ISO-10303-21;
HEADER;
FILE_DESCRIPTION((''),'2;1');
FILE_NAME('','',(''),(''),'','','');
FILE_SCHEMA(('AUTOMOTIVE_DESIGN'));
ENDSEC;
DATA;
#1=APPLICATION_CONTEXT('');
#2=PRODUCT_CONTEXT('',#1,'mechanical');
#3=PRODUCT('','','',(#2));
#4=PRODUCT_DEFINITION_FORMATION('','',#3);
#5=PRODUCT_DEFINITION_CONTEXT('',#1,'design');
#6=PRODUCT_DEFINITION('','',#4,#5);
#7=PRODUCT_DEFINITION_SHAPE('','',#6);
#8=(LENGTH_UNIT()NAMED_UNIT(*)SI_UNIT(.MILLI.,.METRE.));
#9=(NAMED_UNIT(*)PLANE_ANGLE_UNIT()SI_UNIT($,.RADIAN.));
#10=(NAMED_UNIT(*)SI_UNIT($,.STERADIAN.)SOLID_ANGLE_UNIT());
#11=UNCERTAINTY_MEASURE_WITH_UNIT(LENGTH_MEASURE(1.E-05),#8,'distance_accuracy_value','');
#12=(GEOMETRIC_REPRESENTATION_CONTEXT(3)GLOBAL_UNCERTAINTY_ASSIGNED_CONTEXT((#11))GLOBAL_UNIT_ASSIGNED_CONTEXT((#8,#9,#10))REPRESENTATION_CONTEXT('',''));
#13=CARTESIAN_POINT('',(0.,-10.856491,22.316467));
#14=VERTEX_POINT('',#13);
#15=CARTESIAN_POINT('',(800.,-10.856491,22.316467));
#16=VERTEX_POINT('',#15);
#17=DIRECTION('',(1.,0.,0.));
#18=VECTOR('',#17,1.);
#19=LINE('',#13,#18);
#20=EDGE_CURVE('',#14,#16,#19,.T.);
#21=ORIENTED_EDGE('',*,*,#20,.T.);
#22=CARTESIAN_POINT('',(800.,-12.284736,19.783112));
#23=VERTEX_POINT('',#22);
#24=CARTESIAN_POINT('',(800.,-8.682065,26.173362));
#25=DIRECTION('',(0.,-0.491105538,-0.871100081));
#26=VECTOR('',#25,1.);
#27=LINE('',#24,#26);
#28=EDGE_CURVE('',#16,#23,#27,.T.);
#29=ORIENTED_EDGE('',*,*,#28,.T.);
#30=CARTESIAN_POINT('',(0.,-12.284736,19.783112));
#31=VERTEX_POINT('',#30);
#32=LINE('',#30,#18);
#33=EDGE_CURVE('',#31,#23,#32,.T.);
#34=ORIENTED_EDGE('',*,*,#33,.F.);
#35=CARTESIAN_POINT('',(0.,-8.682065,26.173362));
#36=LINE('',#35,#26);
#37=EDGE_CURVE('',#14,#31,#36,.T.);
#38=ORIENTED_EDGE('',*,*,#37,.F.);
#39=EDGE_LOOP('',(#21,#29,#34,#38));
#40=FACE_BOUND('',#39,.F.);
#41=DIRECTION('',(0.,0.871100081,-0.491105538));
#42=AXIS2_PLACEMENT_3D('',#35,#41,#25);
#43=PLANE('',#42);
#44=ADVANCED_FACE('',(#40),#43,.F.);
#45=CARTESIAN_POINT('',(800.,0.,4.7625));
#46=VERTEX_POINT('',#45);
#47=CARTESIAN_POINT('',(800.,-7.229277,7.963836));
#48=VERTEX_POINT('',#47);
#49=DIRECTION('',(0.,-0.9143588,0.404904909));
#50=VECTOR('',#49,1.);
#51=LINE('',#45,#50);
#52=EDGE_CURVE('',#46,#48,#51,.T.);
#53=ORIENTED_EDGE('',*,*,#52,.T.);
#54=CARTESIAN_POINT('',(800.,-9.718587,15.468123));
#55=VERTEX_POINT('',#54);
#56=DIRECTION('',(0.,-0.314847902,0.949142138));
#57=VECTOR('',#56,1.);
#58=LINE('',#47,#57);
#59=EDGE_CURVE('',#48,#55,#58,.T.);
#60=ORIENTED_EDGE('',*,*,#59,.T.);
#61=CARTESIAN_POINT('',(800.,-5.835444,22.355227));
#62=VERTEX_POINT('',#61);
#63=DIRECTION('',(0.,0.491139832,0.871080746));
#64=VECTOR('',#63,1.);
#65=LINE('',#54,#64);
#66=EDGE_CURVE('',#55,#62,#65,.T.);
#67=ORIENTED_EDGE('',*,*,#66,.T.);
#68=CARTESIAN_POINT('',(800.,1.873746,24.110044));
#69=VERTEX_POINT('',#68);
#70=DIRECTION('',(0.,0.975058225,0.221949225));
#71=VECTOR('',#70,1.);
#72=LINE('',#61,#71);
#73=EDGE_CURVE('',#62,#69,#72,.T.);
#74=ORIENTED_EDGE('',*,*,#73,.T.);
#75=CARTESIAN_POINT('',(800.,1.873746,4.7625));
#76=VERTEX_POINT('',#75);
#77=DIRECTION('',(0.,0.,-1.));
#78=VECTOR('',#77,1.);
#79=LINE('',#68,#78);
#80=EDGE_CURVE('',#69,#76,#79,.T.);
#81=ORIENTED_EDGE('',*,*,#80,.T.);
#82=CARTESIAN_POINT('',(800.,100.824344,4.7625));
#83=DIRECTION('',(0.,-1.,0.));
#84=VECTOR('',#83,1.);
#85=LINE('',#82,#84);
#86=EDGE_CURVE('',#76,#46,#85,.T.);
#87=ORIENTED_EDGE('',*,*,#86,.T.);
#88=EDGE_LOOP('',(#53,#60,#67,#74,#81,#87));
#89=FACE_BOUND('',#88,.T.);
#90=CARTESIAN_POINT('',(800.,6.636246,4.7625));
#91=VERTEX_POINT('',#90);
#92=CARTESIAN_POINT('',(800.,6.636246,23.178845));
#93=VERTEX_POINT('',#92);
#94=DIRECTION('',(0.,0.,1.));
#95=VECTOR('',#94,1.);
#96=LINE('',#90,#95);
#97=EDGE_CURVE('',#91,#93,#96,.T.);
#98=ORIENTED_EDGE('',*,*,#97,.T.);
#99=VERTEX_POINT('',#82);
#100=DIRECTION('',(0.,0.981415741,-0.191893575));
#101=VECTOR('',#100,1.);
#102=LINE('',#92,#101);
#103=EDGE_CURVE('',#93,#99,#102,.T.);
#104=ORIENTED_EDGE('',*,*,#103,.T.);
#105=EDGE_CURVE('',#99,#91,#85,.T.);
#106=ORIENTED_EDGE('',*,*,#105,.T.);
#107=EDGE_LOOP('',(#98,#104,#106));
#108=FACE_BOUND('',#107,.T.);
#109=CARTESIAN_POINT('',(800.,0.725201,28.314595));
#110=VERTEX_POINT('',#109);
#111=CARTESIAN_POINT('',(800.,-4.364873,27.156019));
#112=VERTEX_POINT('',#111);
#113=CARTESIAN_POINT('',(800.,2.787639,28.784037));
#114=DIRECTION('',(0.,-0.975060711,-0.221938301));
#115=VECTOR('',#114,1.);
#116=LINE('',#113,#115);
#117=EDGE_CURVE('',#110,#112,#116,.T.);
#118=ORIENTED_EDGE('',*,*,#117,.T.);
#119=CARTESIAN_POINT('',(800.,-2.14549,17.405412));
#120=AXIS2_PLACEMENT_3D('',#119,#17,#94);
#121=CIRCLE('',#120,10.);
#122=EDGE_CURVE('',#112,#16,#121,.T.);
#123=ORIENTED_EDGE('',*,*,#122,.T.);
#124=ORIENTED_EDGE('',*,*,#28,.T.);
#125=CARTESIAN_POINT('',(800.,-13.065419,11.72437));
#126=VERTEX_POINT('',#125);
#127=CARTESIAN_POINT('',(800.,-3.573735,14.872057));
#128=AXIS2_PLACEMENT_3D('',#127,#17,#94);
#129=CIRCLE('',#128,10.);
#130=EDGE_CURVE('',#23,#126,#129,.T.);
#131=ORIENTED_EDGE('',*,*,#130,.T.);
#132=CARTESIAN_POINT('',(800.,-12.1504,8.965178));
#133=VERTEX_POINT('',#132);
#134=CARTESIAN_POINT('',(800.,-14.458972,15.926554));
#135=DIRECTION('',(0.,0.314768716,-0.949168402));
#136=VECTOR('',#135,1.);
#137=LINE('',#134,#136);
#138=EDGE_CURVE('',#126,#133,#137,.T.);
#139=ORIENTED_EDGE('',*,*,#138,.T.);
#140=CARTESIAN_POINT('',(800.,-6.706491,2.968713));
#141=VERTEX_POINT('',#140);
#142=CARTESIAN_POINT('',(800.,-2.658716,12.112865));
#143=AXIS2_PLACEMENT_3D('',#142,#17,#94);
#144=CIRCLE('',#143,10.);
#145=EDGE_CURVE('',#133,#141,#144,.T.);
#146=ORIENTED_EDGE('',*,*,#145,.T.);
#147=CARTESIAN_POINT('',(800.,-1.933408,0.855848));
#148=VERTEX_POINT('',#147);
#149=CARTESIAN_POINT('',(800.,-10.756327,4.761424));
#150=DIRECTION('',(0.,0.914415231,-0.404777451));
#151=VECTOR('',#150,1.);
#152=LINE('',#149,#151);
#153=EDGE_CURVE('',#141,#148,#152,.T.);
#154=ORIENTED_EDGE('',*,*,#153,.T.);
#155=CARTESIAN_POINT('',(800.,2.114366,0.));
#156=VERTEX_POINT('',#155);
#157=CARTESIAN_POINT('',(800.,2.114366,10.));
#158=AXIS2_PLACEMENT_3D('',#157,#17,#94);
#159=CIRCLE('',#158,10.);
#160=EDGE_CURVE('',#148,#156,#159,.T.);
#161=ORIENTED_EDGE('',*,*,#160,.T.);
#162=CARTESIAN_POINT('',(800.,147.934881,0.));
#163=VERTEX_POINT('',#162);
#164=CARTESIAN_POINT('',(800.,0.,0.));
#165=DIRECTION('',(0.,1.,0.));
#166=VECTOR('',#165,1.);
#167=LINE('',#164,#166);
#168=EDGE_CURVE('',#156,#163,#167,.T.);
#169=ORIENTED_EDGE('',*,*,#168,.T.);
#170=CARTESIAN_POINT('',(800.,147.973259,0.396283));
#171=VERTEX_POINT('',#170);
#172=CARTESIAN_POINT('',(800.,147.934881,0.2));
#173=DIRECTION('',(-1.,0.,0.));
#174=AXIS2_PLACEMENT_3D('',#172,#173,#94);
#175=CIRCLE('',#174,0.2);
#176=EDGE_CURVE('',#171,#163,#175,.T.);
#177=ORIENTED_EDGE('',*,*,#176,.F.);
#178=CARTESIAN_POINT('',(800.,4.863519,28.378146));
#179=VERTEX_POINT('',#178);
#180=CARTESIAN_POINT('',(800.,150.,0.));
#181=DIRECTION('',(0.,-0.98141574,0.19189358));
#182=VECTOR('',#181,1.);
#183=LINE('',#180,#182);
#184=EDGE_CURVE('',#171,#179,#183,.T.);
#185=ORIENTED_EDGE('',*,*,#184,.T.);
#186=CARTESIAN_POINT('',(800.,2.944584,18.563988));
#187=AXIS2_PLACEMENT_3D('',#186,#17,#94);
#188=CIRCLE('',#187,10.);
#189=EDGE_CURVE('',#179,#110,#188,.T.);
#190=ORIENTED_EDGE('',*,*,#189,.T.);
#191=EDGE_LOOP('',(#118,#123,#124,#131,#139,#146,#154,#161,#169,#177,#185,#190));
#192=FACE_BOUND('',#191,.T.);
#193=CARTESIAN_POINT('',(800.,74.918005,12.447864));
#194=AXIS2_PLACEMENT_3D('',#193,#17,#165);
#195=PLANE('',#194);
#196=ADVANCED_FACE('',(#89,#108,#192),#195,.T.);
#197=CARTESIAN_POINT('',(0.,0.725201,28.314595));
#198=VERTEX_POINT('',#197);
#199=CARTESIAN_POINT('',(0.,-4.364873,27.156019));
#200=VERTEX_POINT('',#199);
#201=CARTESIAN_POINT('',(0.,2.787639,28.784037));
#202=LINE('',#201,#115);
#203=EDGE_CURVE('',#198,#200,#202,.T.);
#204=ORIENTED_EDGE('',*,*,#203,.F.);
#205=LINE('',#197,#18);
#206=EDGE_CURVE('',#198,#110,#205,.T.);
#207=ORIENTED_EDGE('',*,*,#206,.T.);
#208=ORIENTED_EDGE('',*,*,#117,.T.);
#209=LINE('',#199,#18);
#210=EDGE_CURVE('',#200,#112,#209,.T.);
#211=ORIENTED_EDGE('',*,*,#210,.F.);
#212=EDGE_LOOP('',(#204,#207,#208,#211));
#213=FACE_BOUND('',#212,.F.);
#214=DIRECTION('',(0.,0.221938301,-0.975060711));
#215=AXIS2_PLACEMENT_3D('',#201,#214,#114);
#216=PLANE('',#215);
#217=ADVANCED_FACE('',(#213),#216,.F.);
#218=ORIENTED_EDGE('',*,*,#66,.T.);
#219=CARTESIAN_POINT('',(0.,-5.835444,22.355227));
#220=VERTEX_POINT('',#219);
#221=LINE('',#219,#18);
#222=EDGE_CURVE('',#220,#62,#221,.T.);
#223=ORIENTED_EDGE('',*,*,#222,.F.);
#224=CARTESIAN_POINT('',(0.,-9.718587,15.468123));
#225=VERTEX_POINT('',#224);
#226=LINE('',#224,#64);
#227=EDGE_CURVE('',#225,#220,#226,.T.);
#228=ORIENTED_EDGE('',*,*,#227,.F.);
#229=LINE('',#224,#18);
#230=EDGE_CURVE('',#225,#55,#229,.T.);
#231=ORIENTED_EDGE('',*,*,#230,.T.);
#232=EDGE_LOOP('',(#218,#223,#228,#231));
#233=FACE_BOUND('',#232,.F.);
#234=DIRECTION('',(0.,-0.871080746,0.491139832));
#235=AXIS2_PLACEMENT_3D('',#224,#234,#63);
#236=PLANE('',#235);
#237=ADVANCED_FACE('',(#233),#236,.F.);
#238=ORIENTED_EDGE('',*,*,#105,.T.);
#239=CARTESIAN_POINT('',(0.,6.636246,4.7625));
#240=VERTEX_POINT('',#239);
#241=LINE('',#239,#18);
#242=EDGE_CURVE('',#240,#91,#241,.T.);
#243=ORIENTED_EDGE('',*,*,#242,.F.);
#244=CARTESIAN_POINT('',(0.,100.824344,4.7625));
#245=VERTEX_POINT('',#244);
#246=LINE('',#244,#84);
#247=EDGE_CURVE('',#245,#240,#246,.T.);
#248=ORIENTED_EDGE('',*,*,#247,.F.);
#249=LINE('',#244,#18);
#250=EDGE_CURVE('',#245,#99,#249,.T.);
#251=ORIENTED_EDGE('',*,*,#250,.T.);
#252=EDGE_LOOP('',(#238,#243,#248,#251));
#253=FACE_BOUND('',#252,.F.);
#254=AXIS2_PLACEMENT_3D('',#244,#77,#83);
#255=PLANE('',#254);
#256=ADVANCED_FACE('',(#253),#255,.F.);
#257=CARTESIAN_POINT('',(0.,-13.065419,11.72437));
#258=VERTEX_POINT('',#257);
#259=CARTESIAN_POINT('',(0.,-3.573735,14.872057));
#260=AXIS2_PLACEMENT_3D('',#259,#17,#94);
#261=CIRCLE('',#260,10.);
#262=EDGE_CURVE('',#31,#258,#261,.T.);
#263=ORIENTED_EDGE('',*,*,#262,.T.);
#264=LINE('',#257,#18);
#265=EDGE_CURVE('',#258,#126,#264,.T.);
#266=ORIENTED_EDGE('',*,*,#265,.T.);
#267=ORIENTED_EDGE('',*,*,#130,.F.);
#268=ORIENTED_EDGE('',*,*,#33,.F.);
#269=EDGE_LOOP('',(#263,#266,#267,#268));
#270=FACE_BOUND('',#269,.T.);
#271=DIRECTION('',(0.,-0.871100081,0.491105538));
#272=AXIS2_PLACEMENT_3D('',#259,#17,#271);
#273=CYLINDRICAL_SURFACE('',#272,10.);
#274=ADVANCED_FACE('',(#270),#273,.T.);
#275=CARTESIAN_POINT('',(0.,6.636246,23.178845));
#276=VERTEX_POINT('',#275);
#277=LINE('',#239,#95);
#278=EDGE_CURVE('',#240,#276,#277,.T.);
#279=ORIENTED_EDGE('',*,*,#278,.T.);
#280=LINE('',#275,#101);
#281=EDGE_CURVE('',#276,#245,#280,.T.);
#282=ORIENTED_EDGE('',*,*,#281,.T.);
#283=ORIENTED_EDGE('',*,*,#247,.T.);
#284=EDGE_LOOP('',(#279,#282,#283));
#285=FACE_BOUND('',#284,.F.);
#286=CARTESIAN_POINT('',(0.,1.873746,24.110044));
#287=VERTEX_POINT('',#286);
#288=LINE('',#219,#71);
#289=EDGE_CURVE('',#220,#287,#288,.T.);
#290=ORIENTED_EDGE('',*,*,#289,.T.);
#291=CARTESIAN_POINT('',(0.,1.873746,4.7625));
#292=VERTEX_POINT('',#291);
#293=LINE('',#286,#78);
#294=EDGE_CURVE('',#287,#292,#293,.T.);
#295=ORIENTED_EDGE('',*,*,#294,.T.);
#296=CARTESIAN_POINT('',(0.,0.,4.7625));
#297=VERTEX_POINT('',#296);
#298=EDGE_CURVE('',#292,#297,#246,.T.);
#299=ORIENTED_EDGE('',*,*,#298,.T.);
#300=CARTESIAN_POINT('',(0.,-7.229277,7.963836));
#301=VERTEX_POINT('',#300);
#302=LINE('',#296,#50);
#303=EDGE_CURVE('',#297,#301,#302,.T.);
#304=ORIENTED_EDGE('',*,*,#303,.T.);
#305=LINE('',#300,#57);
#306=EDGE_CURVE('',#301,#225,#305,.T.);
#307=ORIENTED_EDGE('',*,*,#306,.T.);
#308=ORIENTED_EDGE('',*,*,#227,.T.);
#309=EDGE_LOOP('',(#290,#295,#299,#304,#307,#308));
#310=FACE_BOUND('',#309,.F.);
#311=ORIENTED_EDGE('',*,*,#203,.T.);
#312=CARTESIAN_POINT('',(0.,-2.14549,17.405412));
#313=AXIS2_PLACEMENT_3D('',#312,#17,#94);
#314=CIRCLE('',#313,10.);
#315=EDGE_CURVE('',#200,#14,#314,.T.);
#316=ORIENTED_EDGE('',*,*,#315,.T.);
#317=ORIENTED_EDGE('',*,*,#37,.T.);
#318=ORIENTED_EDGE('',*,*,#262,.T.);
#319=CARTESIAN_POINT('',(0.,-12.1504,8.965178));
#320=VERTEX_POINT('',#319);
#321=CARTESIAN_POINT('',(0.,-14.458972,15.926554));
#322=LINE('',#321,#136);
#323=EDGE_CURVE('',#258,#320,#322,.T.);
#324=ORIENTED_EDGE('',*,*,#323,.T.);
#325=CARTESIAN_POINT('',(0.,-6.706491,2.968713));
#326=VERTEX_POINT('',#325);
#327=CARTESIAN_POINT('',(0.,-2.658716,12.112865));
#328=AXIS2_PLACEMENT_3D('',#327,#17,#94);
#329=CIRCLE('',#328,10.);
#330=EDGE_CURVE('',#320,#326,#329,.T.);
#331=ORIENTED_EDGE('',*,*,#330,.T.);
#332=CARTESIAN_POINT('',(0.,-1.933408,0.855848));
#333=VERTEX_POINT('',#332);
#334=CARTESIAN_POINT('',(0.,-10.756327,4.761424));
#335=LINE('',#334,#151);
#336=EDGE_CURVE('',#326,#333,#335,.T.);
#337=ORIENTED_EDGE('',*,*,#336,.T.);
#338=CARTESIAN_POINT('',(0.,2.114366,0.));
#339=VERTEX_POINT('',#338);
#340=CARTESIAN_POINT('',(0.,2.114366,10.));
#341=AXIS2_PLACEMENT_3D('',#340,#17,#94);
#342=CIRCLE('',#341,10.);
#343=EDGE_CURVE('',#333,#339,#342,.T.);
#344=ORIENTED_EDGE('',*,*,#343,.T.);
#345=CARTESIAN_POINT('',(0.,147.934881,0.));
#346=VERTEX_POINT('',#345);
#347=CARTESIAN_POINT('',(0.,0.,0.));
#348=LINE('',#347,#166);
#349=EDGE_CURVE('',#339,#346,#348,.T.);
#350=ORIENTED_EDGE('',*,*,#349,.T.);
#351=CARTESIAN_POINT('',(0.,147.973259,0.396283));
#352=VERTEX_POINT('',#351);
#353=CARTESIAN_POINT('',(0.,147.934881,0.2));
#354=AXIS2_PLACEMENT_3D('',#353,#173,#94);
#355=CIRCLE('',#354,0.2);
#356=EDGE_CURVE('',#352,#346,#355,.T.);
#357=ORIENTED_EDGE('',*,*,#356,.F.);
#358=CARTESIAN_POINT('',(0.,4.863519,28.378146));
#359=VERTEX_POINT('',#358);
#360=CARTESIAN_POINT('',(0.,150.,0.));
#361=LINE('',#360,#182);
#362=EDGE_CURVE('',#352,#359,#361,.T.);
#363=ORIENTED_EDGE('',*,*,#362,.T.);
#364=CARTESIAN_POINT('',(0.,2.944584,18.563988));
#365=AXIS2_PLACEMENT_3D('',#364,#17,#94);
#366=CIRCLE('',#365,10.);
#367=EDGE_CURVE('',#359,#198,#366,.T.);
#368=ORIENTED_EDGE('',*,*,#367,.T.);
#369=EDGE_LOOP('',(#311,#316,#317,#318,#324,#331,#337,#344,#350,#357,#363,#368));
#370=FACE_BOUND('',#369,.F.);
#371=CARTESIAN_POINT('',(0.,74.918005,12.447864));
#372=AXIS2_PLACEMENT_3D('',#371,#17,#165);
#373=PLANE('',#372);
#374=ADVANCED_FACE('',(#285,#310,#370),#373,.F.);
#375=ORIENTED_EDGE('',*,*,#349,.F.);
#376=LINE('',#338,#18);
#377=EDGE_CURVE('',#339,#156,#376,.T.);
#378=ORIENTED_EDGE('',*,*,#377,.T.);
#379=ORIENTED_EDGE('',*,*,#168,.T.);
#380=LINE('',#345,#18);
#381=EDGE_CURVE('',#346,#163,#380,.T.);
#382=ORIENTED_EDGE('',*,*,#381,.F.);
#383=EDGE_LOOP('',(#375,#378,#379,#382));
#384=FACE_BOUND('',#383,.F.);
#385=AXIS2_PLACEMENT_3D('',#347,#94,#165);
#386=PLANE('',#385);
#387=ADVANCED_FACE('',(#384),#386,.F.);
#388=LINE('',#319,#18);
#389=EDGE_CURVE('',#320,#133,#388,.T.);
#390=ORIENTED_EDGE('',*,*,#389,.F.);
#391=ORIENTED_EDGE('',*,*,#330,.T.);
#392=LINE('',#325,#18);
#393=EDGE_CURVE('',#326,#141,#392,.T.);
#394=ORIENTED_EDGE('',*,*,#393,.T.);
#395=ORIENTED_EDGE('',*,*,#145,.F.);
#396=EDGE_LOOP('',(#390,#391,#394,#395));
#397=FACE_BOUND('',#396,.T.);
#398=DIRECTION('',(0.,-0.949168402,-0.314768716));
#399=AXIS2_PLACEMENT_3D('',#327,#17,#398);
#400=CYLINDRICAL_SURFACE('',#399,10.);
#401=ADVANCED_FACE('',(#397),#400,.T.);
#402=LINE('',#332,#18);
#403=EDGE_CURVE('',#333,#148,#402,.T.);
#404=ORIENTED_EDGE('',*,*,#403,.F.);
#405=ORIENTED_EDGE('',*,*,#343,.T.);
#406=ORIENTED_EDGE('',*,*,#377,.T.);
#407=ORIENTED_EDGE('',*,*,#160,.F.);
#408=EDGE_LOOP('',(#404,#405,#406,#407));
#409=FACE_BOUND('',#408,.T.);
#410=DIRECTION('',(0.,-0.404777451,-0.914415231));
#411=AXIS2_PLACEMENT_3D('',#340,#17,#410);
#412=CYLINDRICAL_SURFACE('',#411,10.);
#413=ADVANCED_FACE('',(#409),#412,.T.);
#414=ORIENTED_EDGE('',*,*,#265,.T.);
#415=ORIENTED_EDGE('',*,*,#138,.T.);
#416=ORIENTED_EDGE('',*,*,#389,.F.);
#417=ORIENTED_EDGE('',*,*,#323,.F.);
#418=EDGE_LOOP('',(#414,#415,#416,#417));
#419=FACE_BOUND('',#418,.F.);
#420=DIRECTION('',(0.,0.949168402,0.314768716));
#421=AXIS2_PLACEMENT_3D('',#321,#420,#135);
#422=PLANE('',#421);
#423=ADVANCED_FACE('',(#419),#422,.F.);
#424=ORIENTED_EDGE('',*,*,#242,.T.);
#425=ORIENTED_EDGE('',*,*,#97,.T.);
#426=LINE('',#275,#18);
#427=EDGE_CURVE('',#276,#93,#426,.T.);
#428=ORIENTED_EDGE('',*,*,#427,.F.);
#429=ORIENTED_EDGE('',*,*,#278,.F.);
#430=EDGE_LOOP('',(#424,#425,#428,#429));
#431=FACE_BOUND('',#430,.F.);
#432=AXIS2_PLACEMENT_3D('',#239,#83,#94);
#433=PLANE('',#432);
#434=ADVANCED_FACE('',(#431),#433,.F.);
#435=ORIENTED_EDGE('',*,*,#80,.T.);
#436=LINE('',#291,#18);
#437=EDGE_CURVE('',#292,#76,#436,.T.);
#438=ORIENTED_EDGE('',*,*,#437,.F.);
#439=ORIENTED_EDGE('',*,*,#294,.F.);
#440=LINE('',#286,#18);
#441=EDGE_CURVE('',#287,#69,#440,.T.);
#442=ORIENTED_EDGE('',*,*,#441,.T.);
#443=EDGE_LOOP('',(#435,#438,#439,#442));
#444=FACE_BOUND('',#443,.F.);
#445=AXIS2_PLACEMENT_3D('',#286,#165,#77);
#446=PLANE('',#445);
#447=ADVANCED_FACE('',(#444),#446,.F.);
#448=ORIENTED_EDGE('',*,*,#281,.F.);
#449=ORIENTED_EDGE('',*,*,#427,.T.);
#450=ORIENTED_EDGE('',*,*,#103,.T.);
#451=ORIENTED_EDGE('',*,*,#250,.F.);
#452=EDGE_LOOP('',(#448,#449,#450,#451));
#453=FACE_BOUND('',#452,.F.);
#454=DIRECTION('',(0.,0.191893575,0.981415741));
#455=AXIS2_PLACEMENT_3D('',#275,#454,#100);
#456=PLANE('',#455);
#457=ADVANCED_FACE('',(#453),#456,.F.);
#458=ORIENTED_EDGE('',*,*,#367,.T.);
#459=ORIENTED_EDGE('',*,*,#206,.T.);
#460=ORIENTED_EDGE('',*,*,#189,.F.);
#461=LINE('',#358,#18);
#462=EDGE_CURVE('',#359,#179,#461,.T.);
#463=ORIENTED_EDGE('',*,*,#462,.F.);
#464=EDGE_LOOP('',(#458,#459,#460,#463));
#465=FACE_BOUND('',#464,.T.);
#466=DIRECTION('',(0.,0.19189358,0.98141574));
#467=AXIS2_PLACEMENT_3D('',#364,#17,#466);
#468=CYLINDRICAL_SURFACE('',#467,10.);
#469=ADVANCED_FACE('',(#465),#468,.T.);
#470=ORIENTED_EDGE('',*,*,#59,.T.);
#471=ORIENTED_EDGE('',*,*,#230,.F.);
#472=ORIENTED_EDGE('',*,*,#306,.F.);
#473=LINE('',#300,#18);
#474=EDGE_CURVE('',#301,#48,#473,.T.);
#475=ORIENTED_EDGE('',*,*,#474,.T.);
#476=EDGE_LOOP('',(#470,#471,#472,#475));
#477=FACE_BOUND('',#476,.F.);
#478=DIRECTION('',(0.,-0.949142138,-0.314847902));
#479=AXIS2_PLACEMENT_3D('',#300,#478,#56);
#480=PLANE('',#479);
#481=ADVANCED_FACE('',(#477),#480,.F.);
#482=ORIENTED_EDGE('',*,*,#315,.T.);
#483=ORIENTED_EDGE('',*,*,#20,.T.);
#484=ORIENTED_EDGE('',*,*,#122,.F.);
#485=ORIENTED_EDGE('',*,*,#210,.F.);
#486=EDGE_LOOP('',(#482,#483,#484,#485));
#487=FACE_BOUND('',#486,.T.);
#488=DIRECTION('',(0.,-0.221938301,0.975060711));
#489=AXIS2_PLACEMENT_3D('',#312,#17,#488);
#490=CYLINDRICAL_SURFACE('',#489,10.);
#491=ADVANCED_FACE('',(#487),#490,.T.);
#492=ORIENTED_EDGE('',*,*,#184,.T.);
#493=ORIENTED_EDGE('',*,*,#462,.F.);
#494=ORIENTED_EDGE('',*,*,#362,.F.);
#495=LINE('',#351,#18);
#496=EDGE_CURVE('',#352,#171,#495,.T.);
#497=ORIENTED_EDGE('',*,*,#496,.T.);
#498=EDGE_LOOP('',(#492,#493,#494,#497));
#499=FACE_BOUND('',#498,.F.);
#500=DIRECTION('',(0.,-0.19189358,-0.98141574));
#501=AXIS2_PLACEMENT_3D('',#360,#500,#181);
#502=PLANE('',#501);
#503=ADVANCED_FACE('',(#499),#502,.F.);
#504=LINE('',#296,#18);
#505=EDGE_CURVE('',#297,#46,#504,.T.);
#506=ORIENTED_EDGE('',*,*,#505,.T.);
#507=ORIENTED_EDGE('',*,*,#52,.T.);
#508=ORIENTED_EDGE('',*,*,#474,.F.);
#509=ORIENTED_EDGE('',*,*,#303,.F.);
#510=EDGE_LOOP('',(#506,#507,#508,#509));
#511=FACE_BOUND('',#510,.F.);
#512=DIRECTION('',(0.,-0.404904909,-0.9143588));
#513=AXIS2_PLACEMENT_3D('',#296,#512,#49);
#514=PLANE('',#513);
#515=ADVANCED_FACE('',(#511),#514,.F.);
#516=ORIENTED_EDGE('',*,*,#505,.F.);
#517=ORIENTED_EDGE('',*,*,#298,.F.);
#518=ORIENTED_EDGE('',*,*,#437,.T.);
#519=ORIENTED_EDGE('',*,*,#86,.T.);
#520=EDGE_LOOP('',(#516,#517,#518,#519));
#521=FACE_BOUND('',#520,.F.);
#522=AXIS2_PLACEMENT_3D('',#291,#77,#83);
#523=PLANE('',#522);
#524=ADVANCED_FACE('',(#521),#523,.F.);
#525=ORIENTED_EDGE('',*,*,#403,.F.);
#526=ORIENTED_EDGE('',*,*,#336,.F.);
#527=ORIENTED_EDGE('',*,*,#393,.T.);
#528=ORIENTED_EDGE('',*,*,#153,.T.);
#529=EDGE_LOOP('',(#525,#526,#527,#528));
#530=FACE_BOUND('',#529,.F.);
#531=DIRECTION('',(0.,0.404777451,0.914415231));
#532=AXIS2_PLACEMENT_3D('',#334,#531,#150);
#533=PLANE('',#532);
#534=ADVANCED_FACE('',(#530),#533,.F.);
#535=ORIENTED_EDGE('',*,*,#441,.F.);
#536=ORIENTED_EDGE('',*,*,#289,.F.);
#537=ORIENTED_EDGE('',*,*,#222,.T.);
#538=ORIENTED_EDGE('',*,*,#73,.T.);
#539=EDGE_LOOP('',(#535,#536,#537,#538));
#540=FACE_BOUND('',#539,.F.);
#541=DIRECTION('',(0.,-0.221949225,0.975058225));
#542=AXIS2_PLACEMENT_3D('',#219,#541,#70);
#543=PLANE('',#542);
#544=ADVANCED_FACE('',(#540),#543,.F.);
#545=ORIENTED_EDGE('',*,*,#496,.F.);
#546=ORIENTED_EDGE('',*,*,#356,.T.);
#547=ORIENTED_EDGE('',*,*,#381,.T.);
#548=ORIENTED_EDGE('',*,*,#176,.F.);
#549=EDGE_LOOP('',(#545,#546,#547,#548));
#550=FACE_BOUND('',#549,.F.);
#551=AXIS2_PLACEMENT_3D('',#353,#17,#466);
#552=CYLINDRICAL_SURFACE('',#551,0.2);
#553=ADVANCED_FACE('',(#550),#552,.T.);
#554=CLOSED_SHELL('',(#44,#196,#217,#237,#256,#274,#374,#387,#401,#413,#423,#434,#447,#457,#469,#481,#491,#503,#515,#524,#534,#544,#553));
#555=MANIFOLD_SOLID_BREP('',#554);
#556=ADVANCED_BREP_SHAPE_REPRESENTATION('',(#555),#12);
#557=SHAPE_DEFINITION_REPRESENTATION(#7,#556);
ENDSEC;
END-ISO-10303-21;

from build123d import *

# Parameters (mm, degrees)
F1_DEPTH = 800
F2_R     = 10
F3_R     = 0.2


with BuildPart() as f1:
    # F0 (on Right) → F1 (new body)
    with BuildSketch(Plane.YZ):
        Polygon((100.824344, 4.7625), (125.181556, 0), (150, 0), (2.787639, 28.784037), (1.873746, 24.110044), (6.636246, 23.178845), align=None)
        Polygon((0, 4.7625), (0, 0), (125.181556, 0), (100.824344, 4.7625), (6.636246, 4.7625), (1.873746, 4.7625), align=None)
        Polygon((1.873746, 24.110044), (1.873746, 4.7625), (6.636246, 4.7625), (6.636246, 23.178845), align=None)
        Polygon((1.873746, 24.110044), (2.787639, 28.784037), (-8.682065, 26.173362), (-5.835444, 22.355227), align=None)
        Polygon((-10.756327, 4.761424), (0, 0), (0, 4.7625), (-7.229277, 7.963836), align=None)
        Polygon((-14.458972, 15.926554), (-10.756327, 4.761424), (-7.229277, 7.963836), (-9.718587, 15.468123), align=None)
        Polygon((-8.682065, 26.173362), (-14.458972, 15.926554), (-9.718587, 15.468123), (-5.835444, 22.355227), align=None)
    extrude(amount=F1_DEPTH)

    # F2
    f2_edges = [f1.edges().sort_by_distance(p)[0] for p in [
        (400, -8.682065, 26.173362),
        (400, -14.458972, 15.926554),
        (400, 2.787639, 28.784037),
        (400, -10.756327, 4.761424),
        (400, 0, 0),
    ]]
    fillet(f2_edges, radius=F2_R)

    # F3
    f3_edges = [f1.edges().sort_by_distance(p)[0] for p in [
        (400, 150, 0),
    ]]
    fillet(f3_edges, radius=F3_R)


solid = f1.part
